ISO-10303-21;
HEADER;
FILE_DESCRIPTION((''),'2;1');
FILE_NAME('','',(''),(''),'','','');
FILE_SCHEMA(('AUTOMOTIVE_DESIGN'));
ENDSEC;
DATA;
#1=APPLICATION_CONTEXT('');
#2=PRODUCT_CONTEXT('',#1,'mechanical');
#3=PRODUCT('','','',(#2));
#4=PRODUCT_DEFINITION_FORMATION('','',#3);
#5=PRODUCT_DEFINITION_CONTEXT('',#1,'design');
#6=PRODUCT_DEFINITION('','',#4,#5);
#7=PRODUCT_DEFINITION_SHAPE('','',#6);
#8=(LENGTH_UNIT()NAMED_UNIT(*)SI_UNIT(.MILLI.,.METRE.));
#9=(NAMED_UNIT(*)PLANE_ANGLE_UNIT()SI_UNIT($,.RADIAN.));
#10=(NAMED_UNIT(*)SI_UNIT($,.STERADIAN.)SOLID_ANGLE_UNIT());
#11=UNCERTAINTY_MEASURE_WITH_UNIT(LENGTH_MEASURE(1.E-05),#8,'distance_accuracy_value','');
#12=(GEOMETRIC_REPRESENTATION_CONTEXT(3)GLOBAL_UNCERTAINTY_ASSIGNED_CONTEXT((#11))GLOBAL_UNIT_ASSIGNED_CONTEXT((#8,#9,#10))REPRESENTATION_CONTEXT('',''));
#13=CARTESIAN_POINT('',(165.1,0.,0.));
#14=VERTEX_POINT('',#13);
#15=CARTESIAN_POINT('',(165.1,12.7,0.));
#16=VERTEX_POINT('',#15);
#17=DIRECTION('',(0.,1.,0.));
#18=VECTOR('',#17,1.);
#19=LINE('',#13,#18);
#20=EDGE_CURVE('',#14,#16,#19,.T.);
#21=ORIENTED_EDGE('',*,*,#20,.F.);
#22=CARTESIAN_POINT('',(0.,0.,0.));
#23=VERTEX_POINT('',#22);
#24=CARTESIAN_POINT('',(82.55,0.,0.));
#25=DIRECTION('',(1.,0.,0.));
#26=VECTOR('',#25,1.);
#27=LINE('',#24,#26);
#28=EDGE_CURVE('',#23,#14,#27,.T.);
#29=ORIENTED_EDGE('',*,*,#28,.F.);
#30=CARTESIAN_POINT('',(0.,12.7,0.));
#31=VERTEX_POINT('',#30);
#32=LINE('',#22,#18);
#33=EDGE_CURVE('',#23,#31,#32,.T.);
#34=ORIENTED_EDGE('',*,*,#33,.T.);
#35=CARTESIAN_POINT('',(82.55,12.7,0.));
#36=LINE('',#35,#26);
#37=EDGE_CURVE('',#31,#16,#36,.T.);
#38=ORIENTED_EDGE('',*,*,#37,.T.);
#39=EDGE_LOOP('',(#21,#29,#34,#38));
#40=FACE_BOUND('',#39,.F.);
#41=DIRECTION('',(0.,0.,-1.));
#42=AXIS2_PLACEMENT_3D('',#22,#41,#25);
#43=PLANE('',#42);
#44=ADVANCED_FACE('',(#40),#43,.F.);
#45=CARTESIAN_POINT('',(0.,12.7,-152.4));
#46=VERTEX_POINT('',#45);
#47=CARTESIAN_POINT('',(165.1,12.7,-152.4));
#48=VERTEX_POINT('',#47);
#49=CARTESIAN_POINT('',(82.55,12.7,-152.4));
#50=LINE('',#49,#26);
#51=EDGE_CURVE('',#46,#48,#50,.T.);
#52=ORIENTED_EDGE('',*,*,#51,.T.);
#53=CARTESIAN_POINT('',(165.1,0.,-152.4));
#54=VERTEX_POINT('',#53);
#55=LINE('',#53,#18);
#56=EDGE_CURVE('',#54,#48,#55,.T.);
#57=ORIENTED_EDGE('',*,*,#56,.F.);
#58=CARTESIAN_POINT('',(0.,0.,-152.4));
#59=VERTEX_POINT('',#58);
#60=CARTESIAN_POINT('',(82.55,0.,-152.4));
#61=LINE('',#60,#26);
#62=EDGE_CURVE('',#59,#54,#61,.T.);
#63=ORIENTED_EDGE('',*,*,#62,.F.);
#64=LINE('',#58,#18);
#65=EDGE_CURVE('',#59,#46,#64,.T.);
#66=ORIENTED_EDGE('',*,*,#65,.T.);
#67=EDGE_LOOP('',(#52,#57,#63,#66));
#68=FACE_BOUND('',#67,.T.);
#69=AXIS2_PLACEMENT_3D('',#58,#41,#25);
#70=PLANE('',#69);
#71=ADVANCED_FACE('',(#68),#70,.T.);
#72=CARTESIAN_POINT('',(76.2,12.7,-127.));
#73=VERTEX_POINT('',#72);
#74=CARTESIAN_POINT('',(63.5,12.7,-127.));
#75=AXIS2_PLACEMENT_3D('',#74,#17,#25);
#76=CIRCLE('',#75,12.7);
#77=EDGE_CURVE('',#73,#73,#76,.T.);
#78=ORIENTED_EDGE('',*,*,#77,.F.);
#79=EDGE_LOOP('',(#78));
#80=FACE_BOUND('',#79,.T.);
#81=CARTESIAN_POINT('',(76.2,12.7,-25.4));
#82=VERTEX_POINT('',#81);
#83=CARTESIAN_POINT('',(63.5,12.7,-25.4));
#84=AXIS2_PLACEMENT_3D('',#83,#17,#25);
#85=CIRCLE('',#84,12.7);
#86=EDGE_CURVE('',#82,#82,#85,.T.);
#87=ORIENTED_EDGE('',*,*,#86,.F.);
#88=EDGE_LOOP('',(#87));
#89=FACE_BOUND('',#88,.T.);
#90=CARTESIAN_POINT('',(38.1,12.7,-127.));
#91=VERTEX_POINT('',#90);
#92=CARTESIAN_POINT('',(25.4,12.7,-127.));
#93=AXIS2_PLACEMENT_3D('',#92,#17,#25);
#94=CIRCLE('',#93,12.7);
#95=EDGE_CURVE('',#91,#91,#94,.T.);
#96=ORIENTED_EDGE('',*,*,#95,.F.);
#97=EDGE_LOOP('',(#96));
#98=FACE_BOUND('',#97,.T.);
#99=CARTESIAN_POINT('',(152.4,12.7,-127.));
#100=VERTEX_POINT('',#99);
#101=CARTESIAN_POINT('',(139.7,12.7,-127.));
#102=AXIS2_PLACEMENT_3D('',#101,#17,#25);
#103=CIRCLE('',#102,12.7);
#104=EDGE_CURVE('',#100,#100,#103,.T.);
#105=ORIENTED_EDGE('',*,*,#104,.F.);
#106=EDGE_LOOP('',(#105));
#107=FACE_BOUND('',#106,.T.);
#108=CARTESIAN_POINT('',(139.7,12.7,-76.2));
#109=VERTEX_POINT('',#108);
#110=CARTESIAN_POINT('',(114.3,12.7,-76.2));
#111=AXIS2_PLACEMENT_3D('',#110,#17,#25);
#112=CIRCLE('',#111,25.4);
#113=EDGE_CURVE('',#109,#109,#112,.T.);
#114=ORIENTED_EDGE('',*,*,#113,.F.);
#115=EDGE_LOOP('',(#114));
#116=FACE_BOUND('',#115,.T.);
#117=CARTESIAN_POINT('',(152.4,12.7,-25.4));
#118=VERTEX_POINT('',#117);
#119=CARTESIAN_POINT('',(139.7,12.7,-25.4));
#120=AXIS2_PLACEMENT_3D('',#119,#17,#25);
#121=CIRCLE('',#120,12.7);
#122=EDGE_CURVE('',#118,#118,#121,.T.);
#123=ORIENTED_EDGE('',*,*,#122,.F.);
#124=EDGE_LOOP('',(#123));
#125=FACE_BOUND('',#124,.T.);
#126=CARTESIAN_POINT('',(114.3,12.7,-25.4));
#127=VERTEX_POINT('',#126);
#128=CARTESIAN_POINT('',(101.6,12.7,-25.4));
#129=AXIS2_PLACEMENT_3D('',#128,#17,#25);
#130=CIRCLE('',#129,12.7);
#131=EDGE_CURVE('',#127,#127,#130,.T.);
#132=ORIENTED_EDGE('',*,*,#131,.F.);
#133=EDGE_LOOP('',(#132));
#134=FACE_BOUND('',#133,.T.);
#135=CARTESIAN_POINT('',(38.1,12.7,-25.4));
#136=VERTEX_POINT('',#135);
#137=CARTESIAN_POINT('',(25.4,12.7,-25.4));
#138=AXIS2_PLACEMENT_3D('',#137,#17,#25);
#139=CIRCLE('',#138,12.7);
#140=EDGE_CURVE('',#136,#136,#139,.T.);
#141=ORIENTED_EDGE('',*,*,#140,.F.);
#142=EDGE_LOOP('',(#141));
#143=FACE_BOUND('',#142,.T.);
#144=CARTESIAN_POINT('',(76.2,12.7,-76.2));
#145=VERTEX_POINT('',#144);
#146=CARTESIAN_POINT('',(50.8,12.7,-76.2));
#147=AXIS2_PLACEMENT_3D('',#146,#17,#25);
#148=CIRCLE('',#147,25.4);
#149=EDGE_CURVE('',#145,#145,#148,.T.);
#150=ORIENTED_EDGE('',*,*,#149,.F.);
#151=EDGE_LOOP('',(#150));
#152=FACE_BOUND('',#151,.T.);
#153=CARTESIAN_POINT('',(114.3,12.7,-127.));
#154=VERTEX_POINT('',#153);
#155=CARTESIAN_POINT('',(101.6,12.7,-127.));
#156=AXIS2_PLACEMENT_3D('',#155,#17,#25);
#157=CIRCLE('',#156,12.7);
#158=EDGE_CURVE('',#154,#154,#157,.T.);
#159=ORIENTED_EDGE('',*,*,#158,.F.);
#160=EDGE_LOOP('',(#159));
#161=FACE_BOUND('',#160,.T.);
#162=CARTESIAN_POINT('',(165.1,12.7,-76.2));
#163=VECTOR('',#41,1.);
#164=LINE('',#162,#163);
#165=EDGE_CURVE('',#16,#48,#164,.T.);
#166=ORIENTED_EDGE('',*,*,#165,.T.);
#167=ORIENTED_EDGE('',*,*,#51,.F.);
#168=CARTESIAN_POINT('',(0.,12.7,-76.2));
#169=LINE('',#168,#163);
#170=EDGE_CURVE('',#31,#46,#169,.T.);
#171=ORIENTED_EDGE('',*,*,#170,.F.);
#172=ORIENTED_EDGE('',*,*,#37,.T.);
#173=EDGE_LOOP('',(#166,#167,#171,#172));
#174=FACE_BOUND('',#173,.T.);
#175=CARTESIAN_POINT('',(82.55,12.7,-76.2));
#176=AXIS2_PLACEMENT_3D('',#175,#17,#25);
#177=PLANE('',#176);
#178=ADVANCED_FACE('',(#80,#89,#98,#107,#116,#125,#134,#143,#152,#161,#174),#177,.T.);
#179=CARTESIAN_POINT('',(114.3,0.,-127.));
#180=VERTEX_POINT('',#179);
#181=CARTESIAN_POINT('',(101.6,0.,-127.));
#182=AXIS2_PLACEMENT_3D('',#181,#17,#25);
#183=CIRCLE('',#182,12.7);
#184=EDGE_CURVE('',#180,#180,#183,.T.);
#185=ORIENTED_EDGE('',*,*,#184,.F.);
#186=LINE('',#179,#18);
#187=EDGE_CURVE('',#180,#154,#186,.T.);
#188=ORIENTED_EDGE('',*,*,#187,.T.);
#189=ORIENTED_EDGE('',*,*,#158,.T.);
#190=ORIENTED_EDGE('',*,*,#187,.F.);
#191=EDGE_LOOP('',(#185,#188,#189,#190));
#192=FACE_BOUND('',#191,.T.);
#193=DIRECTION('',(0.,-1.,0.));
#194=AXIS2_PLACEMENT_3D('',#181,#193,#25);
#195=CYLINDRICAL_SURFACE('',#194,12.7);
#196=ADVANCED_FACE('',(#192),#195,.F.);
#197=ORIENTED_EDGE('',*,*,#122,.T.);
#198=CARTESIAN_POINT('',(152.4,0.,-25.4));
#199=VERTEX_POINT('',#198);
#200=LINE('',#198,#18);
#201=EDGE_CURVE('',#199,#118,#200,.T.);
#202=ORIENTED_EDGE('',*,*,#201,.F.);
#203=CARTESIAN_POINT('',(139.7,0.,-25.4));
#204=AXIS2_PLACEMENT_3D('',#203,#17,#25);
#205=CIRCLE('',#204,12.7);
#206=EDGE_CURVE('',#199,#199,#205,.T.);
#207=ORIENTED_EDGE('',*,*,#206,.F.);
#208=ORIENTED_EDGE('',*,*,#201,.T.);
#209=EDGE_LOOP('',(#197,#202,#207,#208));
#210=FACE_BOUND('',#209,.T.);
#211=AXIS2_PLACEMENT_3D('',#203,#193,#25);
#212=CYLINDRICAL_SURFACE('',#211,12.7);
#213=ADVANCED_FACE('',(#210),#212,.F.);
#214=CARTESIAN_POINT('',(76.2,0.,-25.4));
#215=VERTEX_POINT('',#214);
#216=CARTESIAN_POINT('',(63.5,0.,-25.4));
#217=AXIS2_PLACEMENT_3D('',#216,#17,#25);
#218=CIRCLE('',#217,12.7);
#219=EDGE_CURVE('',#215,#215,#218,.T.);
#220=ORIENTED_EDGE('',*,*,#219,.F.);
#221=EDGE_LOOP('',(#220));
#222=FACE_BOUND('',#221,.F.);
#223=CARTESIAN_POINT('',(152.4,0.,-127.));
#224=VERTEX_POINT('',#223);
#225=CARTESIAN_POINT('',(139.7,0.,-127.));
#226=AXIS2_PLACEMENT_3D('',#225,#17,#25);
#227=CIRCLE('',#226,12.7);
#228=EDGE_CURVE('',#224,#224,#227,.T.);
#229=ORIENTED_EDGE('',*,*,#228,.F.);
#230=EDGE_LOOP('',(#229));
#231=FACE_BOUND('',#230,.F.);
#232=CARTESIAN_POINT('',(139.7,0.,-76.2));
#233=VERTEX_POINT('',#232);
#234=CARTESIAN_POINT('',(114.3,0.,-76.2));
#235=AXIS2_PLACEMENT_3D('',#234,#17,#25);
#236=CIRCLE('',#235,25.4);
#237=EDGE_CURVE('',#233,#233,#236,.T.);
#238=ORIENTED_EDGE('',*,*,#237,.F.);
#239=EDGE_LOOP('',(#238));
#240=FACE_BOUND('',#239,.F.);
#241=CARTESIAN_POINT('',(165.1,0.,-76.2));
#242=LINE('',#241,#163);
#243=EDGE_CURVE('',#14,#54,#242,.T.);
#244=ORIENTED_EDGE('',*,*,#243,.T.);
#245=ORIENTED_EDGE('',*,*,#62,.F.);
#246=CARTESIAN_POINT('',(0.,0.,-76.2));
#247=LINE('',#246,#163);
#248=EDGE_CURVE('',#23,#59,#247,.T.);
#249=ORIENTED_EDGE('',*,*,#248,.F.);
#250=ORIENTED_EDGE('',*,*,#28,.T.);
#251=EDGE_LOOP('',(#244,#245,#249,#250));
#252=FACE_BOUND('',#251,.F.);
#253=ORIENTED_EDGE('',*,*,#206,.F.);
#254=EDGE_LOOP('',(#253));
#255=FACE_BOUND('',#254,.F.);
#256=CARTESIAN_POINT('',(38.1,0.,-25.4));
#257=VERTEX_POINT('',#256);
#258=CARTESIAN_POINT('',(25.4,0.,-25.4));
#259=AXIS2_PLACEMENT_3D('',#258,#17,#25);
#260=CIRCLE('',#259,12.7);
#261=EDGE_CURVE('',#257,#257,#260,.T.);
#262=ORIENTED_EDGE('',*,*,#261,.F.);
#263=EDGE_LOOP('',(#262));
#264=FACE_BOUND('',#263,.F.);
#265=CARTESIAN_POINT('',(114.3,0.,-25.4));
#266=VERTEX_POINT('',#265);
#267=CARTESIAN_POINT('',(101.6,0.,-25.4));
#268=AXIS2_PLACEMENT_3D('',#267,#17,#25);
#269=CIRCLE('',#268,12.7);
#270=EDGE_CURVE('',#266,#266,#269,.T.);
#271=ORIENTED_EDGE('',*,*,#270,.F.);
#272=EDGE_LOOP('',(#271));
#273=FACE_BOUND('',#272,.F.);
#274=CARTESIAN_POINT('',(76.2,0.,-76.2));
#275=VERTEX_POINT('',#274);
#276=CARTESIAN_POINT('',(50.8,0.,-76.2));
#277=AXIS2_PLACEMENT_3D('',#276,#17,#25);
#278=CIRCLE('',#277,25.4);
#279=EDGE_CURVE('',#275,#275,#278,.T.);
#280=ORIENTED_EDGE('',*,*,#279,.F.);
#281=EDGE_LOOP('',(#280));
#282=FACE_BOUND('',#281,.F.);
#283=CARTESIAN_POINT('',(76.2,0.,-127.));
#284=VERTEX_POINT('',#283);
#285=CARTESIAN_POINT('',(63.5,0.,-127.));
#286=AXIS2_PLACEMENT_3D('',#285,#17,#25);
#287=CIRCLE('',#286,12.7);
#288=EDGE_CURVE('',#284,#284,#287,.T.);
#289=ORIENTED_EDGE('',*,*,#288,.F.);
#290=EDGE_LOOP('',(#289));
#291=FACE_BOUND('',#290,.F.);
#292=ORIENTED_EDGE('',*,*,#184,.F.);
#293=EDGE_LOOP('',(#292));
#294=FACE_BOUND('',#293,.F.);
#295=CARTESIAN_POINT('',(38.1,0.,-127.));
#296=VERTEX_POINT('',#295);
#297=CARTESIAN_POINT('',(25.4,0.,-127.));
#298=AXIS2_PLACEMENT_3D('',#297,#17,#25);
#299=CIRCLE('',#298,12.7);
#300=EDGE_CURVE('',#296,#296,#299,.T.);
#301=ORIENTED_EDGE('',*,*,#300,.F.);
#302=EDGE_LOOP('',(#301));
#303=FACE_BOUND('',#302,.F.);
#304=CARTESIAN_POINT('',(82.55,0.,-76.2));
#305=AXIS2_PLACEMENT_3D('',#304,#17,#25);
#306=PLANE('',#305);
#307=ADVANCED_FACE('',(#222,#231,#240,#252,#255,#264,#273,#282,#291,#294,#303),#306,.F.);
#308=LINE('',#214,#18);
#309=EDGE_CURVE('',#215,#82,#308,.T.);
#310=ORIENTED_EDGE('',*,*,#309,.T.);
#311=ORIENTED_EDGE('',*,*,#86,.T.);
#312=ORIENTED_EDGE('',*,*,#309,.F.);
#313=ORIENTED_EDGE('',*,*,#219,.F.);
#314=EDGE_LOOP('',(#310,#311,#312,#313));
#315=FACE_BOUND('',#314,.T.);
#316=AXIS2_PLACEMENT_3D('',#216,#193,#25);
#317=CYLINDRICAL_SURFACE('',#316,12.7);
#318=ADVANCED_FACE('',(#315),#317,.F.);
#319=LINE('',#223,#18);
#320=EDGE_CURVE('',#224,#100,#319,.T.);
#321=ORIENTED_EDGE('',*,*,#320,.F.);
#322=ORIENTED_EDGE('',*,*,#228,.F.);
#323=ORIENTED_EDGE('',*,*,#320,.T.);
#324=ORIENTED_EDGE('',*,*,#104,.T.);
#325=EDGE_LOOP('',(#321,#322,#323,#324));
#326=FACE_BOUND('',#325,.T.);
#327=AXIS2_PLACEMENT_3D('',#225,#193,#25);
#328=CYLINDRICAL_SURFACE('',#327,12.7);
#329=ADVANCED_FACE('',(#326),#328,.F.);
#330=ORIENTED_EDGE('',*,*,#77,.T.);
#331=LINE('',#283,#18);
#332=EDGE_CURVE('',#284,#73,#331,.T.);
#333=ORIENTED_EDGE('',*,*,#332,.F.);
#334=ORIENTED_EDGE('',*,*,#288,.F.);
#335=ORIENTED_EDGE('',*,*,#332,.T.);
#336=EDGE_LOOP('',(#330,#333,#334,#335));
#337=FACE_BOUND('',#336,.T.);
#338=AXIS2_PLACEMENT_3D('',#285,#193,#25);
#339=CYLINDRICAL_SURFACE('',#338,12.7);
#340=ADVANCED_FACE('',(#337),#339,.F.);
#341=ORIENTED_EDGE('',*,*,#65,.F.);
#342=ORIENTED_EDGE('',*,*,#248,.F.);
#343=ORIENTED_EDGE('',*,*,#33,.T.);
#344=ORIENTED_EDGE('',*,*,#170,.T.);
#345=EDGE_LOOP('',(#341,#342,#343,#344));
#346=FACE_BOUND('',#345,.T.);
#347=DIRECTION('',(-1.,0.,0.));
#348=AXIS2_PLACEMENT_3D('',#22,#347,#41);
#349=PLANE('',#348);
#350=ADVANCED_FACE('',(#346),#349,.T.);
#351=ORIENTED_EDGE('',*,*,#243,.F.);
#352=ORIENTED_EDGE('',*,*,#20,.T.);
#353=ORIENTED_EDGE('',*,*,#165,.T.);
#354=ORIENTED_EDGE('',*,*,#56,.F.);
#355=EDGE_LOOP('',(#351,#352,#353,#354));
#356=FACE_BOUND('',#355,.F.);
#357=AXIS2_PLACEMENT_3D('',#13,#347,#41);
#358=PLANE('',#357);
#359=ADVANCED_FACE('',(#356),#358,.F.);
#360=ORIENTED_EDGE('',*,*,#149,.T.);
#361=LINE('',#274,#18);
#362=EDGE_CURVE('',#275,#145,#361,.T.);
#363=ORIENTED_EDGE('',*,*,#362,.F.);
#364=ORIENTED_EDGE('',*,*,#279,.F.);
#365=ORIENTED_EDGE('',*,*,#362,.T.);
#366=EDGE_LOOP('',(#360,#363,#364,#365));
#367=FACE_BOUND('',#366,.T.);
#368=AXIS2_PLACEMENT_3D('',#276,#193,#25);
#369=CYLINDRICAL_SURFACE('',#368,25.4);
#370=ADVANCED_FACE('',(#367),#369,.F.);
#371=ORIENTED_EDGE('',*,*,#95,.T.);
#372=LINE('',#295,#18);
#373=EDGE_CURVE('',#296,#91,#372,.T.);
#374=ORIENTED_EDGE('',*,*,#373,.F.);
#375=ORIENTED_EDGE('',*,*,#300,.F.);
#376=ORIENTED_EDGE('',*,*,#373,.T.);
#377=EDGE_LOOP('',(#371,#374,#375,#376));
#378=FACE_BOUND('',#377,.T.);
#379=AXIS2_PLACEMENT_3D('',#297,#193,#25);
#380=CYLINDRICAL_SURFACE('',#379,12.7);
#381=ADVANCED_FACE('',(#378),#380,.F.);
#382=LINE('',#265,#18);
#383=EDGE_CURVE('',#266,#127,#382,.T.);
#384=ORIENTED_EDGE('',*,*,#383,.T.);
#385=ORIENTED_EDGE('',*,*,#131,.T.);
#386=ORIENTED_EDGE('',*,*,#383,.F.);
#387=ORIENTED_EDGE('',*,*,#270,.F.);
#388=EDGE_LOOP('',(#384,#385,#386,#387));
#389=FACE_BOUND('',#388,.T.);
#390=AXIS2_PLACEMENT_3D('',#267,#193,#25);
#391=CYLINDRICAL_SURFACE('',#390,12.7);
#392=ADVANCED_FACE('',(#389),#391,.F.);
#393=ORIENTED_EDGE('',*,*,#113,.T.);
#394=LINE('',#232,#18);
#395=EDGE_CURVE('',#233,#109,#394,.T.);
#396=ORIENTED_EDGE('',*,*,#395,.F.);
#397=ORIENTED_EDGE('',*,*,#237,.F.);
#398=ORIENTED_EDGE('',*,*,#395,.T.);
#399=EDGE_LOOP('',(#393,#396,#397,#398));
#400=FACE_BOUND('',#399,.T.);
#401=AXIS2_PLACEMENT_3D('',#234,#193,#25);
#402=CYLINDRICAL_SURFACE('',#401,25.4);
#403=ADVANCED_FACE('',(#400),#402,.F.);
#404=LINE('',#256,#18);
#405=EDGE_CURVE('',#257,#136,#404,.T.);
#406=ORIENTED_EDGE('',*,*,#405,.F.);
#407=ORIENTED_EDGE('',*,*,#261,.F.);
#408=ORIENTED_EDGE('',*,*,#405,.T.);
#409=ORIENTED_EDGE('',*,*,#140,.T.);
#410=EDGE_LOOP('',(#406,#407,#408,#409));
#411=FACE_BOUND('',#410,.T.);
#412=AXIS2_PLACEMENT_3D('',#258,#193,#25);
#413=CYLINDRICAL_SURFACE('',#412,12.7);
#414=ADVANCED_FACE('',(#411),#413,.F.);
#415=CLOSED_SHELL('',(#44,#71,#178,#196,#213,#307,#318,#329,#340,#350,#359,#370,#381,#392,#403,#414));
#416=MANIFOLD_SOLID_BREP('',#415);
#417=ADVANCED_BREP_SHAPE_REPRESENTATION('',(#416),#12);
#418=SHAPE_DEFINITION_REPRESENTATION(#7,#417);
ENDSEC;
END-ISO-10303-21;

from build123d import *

# Parameters (mm, degrees)
SKETCH1_W           = 165.1
SKETCH1_H           = 152.4
SKETCH1_R           = 12.7
SKETCH1_R_2         = 25.4
BOSS_EXTRUDE1_DEPTH = 12.7


with BuildPart() as part:
    # Sketch1 → Boss-Extrude1 (new body)
    with BuildSketch(Plane(origin=(0, 0, 0), x_dir=(1, 0, 0), z_dir=(0, 1, 0))):
        with Locations((82.55, 76.2)):
            Rectangle(SKETCH1_W, SKETCH1_H)
        with Locations((25.4, 127)):
            Circle(SKETCH1_R, mode=Mode.SUBTRACT)
        with Locations((63.5, 127)):
            Circle(SKETCH1_R, mode=Mode.SUBTRACT)
        with Locations((101.6, 127)):
            Circle(SKETCH1_R, mode=Mode.SUBTRACT)
        with Locations((139.7, 127)):
            Circle(SKETCH1_R, mode=Mode.SUBTRACT)
        with Locations((25.4, 25.4)):
            Circle(SKETCH1_R, mode=Mode.SUBTRACT)
        with Locations((63.5, 25.4)):
            Circle(SKETCH1_R, mode=Mode.SUBTRACT)
        with Locations((101.6, 25.4)):
            Circle(SKETCH1_R, mode=Mode.SUBTRACT)
        with Locations((139.7, 25.4)):
            Circle(SKETCH1_R, mode=Mode.SUBTRACT)
        with Locations((50.8, 76.2)):
            Circle(SKETCH1_R_2, mode=Mode.SUBTRACT)
        with Locations((114.3, 76.2)):
            Circle(SKETCH1_R_2, mode=Mode.SUBTRACT)
    extrude(amount=BOSS_EXTRUDE1_DEPTH)


solid = part.part
